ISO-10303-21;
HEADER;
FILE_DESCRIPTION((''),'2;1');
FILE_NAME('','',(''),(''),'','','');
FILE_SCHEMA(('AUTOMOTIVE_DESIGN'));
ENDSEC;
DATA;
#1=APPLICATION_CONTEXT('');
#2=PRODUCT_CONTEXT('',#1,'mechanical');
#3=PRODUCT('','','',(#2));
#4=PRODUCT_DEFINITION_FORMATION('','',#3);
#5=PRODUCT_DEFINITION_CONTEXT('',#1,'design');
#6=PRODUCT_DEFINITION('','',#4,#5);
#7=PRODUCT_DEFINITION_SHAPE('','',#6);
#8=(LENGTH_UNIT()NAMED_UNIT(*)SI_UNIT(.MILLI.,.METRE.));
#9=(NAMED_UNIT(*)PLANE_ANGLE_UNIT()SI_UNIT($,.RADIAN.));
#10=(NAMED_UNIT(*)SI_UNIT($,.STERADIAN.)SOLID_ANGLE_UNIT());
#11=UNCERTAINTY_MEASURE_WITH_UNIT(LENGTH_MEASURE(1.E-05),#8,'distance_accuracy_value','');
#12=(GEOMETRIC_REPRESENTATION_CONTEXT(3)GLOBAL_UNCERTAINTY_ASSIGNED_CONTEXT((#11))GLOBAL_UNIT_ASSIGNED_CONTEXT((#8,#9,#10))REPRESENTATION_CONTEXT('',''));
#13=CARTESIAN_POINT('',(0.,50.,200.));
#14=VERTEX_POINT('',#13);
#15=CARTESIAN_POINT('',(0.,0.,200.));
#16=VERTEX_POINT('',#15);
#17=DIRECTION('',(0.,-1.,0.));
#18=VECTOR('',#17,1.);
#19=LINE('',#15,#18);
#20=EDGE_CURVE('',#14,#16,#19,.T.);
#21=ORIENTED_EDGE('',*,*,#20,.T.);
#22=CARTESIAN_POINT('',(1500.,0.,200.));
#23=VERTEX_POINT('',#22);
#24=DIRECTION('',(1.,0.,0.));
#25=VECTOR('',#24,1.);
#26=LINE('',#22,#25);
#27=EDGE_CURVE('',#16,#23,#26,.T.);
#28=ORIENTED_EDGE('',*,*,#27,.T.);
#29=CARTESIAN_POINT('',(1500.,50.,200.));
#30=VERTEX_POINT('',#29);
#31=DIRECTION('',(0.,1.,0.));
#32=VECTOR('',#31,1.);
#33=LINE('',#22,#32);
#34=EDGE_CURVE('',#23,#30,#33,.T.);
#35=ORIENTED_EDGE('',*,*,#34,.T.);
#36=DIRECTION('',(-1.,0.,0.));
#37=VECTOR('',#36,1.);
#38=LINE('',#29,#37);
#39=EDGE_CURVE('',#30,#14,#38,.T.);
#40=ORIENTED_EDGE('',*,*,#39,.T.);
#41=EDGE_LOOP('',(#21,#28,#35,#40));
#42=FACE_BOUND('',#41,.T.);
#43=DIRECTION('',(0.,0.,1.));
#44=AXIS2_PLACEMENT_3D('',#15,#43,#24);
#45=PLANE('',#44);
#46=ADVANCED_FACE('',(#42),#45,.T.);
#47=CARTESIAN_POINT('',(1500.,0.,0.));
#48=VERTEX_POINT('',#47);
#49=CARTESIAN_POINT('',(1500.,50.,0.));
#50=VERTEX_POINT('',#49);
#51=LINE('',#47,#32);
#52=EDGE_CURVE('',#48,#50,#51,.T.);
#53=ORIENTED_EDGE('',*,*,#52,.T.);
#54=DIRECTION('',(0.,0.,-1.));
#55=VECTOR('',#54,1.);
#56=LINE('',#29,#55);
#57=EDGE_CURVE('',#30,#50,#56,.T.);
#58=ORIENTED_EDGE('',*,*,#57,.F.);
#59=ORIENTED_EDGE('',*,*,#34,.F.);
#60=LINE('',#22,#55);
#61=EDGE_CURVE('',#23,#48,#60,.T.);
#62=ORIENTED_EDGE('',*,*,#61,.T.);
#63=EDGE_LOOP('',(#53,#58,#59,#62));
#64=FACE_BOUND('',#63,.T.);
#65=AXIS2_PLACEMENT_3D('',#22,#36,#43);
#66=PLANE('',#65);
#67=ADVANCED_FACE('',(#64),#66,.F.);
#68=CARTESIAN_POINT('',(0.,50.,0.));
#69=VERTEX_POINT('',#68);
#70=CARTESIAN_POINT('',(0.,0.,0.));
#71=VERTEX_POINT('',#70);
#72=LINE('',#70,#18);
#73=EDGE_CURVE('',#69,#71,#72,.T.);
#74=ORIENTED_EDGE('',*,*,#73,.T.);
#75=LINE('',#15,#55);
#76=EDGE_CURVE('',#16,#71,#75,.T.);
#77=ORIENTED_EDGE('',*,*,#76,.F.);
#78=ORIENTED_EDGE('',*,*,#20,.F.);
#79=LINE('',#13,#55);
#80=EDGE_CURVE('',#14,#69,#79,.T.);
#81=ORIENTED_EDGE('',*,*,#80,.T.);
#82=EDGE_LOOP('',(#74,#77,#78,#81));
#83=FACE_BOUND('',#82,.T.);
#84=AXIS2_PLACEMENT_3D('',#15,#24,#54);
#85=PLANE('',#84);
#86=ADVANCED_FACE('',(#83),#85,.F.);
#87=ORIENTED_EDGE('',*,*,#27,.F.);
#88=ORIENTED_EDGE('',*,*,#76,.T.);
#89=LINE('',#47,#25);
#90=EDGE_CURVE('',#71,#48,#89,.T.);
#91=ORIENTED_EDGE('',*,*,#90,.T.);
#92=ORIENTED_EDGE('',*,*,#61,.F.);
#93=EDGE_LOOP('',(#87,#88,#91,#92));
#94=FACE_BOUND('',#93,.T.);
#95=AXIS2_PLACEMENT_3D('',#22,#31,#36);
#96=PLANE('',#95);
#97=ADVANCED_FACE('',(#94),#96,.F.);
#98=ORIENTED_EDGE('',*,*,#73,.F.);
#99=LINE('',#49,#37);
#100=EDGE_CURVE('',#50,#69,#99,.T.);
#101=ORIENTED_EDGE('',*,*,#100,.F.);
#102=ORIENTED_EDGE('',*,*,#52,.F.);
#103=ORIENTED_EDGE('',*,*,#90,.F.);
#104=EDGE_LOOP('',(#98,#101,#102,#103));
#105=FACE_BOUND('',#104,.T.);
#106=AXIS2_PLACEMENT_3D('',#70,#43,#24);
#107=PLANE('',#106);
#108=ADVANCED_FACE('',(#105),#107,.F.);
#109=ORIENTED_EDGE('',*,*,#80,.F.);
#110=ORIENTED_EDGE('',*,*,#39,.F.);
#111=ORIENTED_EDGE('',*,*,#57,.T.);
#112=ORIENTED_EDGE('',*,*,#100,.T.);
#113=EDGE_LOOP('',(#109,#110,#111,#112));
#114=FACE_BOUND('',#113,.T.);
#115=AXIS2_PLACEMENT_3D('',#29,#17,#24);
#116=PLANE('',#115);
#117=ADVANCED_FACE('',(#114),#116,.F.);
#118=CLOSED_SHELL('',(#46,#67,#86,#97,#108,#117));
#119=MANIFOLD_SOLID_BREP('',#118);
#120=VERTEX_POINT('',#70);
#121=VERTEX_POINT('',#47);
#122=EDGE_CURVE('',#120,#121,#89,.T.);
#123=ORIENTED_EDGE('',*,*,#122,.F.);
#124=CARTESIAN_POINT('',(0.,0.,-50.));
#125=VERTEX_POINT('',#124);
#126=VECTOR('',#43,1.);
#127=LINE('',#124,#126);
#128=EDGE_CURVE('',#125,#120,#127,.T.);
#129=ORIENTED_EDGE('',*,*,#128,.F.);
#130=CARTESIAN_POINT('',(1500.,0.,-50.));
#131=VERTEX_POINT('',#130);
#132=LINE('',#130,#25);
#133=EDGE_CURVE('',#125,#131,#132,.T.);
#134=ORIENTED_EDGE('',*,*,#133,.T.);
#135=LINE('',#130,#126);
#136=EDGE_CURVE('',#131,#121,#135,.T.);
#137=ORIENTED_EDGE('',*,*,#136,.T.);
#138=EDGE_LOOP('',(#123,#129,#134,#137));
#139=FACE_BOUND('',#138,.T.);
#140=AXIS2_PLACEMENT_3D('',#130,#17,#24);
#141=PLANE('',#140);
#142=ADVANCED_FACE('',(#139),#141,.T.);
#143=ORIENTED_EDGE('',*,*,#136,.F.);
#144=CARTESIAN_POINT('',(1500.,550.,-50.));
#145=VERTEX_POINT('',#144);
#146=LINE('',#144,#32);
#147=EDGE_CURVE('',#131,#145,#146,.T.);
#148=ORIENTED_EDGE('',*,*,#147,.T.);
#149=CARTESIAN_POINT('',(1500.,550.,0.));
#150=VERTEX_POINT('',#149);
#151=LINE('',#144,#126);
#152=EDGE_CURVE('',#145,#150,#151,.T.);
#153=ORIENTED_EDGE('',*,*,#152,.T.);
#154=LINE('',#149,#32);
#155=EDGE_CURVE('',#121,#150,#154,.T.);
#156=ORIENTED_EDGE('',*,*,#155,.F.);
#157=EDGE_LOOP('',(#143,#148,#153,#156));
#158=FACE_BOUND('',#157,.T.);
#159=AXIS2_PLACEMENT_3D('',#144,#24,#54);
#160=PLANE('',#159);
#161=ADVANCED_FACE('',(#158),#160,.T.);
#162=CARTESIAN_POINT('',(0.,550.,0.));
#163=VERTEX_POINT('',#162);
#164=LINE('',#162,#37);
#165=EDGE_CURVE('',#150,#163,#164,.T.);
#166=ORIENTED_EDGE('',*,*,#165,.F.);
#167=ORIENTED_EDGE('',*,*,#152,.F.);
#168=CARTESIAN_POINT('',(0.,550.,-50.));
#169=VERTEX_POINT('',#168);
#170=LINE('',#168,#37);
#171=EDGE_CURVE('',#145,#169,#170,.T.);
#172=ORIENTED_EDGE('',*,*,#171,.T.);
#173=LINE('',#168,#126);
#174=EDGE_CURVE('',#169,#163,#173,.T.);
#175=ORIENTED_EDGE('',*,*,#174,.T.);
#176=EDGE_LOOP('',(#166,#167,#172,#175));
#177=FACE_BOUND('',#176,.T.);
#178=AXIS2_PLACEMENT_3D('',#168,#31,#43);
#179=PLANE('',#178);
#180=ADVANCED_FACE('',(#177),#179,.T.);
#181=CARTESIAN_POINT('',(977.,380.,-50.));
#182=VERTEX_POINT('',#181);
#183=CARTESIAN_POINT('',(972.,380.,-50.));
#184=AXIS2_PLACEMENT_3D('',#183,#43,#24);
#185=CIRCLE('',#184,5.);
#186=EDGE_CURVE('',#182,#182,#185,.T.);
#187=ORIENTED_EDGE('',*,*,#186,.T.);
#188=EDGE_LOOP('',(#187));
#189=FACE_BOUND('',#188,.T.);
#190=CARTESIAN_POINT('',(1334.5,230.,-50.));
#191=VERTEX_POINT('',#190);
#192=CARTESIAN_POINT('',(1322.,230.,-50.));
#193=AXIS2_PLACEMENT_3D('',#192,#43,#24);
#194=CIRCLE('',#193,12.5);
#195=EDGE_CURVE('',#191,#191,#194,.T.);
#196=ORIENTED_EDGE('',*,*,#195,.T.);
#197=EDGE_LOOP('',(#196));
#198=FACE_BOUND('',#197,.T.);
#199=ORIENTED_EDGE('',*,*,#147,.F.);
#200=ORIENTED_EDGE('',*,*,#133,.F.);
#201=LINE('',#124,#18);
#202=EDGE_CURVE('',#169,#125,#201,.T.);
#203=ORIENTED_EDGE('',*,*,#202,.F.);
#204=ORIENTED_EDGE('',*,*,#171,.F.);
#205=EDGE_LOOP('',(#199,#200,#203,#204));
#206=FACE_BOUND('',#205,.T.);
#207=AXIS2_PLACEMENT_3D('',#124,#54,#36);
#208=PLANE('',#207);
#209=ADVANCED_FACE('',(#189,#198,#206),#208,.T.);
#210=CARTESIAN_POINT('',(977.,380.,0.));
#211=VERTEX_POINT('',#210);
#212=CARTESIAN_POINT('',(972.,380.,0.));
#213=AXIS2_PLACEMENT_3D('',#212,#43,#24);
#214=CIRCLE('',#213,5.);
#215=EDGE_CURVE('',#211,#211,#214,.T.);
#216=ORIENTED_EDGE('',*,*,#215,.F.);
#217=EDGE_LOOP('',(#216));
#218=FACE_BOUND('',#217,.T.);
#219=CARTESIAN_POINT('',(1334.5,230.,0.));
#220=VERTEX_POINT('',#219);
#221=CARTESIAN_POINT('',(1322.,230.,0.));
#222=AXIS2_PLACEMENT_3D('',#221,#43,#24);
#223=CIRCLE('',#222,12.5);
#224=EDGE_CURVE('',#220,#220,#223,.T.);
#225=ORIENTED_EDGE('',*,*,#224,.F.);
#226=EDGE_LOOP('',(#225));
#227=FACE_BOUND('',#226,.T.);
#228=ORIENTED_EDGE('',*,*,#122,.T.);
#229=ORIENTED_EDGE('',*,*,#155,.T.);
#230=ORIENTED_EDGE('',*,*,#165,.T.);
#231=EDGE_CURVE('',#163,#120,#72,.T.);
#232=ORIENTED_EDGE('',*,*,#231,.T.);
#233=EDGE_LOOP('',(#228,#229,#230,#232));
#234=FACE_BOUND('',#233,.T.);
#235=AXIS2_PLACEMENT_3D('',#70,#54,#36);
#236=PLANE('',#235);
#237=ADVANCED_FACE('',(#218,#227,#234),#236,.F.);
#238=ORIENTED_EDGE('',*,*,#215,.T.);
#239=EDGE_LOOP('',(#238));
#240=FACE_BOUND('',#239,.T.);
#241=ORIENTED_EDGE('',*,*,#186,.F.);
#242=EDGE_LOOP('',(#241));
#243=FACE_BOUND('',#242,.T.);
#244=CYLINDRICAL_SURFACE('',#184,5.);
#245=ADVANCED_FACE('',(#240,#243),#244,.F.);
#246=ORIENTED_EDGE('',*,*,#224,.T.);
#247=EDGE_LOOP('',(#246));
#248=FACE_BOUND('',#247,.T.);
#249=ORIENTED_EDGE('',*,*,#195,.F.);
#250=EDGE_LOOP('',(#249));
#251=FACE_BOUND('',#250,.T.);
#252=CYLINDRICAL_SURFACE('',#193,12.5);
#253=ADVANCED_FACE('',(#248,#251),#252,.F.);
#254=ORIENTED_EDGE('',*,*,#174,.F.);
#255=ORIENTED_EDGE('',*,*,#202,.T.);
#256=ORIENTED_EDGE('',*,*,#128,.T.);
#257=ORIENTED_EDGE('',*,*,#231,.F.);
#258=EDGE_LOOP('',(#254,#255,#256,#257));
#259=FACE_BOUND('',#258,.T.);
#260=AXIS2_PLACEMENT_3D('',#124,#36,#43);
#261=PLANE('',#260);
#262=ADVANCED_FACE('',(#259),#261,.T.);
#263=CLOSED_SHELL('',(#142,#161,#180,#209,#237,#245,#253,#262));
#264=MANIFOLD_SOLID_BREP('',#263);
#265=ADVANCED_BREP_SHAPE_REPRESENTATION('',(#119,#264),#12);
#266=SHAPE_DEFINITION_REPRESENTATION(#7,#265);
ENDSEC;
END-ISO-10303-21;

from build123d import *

# Parameters (mm, degrees)
SKETCH1_W           = 1500
SKETCH1_H           = 550
BOSS_EXTRUDE1_DEPTH = 50
SKETCH2_W           = 1500
SKETCH2_H           = 50
BOSS_EXTRUDE2_DEPTH = 200
SKETCH3_R           = 12.5
SKETCH3_R_2         = 5
CUT_EXTRUDE1_DEPTH  = 1611.12421881


with BuildPart() as part:
    # Sketch1 → Boss-Extrude1 (new body)
    with BuildSketch(Plane.XY):
        with Locations((750, 275)):
            Rectangle(SKETCH1_W, SKETCH1_H)
    extrude(amount=-BOSS_EXTRUDE1_DEPTH)

    # Sketch3 → Cut-Extrude1 (cut, through all)
    with BuildSketch(Plane.XY):
        with Locations((1322, 230)):
            Circle(SKETCH3_R)
        with Locations((972, 380)):
            Circle(SKETCH3_R_2)
    extrude(amount=-CUT_EXTRUDE1_DEPTH, mode=Mode.SUBTRACT)


with BuildPart() as body_2:
    # Sketch2 → Boss-Extrude2 (new body)
    with BuildSketch(Plane.XY):
        with Locations((750, 25)):
            Rectangle(SKETCH2_W, SKETCH2_H)
    extrude(amount=BOSS_EXTRUDE2_DEPTH)


solid = Compound([part.part, body_2.part])
